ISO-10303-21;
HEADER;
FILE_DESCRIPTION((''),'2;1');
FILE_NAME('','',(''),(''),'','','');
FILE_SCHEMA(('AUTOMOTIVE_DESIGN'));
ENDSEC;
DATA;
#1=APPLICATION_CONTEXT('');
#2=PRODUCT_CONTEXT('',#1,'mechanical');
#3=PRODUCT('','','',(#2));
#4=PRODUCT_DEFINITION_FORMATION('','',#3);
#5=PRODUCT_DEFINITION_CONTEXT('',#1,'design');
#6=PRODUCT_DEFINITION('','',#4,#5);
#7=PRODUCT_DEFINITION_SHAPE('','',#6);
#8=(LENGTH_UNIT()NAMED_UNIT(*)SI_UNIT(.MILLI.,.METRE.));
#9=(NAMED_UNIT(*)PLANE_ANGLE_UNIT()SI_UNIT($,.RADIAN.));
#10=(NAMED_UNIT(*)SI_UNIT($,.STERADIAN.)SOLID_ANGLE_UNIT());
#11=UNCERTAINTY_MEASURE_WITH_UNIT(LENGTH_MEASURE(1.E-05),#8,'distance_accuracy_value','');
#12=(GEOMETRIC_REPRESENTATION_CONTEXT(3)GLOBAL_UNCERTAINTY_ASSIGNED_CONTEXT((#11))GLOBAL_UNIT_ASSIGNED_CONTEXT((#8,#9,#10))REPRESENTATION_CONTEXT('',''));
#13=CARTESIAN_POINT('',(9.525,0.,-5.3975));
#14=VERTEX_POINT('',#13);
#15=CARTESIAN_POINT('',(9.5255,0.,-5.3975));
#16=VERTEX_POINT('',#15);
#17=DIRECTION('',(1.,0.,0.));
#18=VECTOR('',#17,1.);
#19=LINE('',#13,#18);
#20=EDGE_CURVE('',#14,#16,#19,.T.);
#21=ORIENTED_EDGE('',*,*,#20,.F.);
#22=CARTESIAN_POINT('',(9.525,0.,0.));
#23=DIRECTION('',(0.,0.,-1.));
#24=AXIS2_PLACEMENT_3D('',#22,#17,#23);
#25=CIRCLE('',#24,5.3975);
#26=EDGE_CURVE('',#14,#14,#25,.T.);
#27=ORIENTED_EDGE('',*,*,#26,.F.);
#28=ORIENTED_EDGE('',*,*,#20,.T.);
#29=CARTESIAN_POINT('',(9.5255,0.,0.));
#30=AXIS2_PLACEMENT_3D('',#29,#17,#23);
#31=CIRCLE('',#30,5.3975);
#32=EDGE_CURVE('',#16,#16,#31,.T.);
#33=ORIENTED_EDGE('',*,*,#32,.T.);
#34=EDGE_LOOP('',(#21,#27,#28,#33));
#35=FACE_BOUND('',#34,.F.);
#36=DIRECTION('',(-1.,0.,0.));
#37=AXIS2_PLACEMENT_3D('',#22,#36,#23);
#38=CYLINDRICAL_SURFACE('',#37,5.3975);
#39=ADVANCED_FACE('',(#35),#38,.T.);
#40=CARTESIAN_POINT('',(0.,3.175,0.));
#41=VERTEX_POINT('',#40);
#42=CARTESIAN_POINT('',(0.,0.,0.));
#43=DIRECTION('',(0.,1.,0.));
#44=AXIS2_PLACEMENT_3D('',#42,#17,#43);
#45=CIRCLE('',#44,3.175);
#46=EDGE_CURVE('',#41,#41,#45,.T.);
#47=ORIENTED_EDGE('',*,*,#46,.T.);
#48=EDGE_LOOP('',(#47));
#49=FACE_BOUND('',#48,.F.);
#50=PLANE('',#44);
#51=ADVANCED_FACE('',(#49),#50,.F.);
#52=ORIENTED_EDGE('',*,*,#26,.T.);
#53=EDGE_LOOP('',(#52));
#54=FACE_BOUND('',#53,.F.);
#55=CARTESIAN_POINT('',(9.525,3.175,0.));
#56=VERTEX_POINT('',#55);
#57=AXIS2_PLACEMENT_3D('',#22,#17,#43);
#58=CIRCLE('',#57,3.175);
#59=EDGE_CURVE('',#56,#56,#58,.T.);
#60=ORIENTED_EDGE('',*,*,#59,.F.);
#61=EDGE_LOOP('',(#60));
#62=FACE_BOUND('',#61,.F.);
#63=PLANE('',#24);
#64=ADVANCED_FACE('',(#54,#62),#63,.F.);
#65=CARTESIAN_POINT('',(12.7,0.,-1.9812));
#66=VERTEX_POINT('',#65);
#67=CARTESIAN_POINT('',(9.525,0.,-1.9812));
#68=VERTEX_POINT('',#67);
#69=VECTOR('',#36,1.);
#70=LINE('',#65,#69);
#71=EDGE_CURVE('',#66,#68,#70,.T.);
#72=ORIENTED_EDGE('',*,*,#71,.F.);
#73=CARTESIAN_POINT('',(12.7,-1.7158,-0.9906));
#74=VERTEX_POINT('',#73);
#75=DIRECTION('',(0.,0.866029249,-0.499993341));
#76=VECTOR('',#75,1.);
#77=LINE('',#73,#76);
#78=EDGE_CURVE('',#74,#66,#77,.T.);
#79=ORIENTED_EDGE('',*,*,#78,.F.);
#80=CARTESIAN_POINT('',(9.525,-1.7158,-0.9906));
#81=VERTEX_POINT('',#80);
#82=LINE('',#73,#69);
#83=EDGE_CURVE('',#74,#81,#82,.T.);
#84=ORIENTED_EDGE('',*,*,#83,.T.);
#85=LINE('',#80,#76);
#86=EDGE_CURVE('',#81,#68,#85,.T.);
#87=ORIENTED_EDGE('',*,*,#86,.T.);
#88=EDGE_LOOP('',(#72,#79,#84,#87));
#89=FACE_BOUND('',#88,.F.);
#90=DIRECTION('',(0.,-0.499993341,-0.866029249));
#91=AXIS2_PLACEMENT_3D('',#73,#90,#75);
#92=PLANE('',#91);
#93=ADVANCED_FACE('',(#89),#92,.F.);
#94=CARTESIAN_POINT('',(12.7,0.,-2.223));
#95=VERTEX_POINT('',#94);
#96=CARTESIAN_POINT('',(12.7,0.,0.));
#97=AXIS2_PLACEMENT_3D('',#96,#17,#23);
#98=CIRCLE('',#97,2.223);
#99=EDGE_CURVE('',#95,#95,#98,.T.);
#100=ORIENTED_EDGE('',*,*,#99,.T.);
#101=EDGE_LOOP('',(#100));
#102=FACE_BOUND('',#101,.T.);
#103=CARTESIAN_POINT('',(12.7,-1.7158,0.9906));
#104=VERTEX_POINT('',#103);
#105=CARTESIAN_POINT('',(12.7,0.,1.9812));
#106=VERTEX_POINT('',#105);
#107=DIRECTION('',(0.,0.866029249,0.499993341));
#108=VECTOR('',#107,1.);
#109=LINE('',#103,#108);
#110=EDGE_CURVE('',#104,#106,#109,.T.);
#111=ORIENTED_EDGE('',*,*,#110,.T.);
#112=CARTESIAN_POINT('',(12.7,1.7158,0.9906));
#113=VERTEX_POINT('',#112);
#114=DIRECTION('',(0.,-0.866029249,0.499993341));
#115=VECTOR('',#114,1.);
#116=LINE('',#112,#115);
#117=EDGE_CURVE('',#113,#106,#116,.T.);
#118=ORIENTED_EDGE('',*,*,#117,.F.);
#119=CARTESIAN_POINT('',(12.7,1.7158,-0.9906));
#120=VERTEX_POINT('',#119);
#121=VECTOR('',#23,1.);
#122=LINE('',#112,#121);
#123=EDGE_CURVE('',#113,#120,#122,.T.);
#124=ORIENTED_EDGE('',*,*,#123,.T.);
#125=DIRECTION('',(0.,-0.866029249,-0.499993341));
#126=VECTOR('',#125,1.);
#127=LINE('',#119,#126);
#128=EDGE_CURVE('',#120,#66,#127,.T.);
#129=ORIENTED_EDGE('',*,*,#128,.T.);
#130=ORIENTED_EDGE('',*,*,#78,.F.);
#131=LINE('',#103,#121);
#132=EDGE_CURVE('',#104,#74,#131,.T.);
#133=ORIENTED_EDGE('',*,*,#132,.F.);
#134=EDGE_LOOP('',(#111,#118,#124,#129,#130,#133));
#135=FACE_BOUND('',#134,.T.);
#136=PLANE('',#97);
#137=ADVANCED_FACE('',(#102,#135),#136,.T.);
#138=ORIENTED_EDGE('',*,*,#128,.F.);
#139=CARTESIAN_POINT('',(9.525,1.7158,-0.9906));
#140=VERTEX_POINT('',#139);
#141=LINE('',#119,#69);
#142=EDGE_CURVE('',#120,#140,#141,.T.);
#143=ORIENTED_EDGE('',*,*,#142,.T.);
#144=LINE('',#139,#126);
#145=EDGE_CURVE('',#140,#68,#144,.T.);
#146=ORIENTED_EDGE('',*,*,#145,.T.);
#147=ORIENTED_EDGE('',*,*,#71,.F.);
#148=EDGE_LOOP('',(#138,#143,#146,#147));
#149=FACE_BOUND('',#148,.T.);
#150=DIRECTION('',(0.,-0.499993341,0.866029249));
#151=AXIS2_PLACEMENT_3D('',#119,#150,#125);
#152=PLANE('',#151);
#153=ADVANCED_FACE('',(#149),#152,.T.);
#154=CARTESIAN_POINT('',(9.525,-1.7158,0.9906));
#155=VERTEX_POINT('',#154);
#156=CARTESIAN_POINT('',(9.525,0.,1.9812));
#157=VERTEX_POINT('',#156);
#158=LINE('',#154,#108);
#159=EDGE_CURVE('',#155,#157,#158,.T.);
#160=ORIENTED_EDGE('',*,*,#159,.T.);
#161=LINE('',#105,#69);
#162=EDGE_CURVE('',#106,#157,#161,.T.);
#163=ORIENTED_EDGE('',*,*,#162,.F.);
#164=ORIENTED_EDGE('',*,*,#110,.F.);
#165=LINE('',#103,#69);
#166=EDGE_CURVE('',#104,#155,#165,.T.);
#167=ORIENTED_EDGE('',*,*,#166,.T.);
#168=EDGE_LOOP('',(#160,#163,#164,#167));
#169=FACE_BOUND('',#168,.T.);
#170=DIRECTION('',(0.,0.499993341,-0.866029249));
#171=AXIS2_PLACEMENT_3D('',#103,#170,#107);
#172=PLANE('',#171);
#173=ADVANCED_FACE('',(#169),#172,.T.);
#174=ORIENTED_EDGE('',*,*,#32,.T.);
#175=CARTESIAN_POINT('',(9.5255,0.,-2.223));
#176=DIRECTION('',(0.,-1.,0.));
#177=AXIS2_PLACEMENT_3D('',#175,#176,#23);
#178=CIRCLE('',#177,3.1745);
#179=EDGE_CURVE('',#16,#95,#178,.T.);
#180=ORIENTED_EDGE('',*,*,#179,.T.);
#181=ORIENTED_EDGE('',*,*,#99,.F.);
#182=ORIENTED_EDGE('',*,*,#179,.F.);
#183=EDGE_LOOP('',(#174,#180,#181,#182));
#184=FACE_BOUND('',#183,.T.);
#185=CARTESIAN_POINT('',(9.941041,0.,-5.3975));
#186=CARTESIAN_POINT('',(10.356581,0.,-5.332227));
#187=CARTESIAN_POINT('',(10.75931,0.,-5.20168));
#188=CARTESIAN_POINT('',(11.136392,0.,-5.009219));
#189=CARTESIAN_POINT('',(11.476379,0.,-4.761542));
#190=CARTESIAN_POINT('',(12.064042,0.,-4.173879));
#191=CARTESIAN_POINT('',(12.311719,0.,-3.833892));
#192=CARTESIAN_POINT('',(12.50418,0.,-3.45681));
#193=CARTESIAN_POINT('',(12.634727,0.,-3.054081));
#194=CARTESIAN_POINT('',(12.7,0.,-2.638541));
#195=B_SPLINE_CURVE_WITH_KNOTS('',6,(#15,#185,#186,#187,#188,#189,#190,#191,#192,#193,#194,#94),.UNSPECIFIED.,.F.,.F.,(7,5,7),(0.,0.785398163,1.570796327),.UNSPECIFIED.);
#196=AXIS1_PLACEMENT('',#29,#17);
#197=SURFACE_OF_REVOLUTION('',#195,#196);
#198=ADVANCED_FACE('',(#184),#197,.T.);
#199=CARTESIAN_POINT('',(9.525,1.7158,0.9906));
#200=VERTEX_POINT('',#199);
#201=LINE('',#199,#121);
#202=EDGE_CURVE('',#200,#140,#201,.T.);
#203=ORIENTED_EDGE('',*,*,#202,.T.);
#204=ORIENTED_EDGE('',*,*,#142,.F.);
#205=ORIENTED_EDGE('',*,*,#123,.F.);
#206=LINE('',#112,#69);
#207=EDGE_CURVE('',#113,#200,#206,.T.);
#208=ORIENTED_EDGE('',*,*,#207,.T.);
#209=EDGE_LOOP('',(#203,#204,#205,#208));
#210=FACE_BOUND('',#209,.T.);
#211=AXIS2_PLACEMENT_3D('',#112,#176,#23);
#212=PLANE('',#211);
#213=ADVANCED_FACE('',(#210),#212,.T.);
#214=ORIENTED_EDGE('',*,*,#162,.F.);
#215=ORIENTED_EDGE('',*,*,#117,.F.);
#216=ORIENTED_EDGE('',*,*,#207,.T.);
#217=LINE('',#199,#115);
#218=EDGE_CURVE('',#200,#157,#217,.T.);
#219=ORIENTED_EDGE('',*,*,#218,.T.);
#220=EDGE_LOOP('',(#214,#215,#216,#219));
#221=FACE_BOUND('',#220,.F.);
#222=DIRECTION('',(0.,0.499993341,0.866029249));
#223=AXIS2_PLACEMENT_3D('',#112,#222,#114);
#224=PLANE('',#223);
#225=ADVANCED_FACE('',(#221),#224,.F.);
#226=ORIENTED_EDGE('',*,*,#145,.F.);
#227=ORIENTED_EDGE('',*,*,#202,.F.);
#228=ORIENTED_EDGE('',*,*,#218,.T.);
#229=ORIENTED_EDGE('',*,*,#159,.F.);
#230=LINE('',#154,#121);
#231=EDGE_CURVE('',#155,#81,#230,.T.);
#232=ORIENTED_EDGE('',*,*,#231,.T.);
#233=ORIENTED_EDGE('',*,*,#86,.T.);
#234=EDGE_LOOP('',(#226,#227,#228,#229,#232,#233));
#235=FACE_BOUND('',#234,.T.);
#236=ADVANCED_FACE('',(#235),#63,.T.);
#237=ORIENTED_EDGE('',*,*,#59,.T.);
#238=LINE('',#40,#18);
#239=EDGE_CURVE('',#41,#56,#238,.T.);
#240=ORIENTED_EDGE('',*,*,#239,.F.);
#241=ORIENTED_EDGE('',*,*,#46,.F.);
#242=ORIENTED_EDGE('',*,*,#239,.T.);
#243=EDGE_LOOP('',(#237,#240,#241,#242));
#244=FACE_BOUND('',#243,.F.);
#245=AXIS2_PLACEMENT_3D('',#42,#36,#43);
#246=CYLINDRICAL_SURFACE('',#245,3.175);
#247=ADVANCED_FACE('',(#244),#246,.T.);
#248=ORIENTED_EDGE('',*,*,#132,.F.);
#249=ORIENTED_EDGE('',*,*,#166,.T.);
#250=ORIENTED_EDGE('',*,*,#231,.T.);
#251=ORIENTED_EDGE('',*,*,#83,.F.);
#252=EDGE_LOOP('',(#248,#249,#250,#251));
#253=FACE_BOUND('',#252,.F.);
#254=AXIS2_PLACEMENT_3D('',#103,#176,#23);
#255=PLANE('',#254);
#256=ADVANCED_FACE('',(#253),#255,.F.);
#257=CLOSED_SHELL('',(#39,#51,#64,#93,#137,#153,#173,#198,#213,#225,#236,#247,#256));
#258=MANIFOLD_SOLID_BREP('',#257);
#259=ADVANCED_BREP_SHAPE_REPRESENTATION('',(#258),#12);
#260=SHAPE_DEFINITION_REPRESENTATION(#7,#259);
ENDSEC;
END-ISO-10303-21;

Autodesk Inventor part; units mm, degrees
ref_plane "YZ Plane" through (0, 0, 0) normal (1, 0, 0) x (0, 1, 0)
ref_plane "XZ Plane" through (0, 0, 0) normal (0, 1, 0) x (-1, 0, 0)
ref_plane "XY Plane" through (0, 0, 0) normal (0, 0, 1) x (1, 0, 0)
sketch "Sketch1" plane through (0, 0, 0) normal (1, 0, 0) x (0, 1, 0)
  circle A0 centre (0, 0) radius 3.175
  dimension "d0" = 6.35
extrude "Extrusion1" add sketch "Sketch1" along normal blind 9.525
sketch "Sketch2" plane through (9.525, 0, 0) normal (1, 0, 0) x (0, 0, -1)
  circle A0 centre (0, 0) radius 5.3975
  dimension "d3" = 10.795
extrude "Extrusion2" add sketch "Sketch2" along normal blind 3.175
sketch "Sketch3" plane through (12.7, 0, 0) normal (1, 0, 0) x (0, 0, -1)
  line L0 (0, 0) -> (1.9812, 0)
  line L1 (0, 0) -> (-1.9812, 0)
  circle A0 centre (0, 0) radius 3.175 projected
  line L2 (0, 0) -> (0.9906, 1.7158)
  line L3 (0, 0) -> (1.9812, 0) construction
  line L4 (0.9906, 1.7158) -> (1.9812, 0)
  line L5 (0, 0) -> (-0.9906, 1.7158)
  line L6 (0, 0) -> (1.9812, 0) construction
  line L7 (-0.9906, 1.7158) -> (0.9906, 1.7158)
  line L8 (-0.9906, 1.7158) -> (-1.9812, 0)
  line L9 (0, 0) -> (0.9906, -1.7158)
  line L10 (0, 0) -> (1.9812, 0) construction
  line L11 (0.9906, -1.7158) -> (1.9812, 0)
  line L12 (0, 0) -> (-0.9906, -1.7158)
  line L13 (0, 0) -> (1.9812, 0) construction
  line L14 (-0.9906, -1.7158) -> (0.9906, -1.7158)
  line L15 (-0.9906, -1.7158) -> (-1.9812, 0)
  dimension "d6" = 1.9812
  dimension "d7" = 1.9812
  dimension "d8" = 1.9812
  dimension "d9" = 60
  dimension "d10" = 1.9812
  dimension "d11" = 120
  dimension "d12" = 1.9812
  dimension "d13" = 60
  dimension "d14" = 1.9812
  dimension "d15" = 120
extrude "Extrusion3" cut sketch "Sketch3" against normal blind 3.175 contours L2 L4 L0 | L12 L15 L1 | L5 L7 L2 | L1 L8 L5 | L0 L11 L9 | L9 L14 L12
fillet "Fillet1" radius 3.175 1 edges at (12.7, 0, 5.3975)
thread "Thread1" size "1/4-20 UNC" class "2A" standard "ANSI Unified Screw Threads" full length
properties part number "1-4-20 screw"
